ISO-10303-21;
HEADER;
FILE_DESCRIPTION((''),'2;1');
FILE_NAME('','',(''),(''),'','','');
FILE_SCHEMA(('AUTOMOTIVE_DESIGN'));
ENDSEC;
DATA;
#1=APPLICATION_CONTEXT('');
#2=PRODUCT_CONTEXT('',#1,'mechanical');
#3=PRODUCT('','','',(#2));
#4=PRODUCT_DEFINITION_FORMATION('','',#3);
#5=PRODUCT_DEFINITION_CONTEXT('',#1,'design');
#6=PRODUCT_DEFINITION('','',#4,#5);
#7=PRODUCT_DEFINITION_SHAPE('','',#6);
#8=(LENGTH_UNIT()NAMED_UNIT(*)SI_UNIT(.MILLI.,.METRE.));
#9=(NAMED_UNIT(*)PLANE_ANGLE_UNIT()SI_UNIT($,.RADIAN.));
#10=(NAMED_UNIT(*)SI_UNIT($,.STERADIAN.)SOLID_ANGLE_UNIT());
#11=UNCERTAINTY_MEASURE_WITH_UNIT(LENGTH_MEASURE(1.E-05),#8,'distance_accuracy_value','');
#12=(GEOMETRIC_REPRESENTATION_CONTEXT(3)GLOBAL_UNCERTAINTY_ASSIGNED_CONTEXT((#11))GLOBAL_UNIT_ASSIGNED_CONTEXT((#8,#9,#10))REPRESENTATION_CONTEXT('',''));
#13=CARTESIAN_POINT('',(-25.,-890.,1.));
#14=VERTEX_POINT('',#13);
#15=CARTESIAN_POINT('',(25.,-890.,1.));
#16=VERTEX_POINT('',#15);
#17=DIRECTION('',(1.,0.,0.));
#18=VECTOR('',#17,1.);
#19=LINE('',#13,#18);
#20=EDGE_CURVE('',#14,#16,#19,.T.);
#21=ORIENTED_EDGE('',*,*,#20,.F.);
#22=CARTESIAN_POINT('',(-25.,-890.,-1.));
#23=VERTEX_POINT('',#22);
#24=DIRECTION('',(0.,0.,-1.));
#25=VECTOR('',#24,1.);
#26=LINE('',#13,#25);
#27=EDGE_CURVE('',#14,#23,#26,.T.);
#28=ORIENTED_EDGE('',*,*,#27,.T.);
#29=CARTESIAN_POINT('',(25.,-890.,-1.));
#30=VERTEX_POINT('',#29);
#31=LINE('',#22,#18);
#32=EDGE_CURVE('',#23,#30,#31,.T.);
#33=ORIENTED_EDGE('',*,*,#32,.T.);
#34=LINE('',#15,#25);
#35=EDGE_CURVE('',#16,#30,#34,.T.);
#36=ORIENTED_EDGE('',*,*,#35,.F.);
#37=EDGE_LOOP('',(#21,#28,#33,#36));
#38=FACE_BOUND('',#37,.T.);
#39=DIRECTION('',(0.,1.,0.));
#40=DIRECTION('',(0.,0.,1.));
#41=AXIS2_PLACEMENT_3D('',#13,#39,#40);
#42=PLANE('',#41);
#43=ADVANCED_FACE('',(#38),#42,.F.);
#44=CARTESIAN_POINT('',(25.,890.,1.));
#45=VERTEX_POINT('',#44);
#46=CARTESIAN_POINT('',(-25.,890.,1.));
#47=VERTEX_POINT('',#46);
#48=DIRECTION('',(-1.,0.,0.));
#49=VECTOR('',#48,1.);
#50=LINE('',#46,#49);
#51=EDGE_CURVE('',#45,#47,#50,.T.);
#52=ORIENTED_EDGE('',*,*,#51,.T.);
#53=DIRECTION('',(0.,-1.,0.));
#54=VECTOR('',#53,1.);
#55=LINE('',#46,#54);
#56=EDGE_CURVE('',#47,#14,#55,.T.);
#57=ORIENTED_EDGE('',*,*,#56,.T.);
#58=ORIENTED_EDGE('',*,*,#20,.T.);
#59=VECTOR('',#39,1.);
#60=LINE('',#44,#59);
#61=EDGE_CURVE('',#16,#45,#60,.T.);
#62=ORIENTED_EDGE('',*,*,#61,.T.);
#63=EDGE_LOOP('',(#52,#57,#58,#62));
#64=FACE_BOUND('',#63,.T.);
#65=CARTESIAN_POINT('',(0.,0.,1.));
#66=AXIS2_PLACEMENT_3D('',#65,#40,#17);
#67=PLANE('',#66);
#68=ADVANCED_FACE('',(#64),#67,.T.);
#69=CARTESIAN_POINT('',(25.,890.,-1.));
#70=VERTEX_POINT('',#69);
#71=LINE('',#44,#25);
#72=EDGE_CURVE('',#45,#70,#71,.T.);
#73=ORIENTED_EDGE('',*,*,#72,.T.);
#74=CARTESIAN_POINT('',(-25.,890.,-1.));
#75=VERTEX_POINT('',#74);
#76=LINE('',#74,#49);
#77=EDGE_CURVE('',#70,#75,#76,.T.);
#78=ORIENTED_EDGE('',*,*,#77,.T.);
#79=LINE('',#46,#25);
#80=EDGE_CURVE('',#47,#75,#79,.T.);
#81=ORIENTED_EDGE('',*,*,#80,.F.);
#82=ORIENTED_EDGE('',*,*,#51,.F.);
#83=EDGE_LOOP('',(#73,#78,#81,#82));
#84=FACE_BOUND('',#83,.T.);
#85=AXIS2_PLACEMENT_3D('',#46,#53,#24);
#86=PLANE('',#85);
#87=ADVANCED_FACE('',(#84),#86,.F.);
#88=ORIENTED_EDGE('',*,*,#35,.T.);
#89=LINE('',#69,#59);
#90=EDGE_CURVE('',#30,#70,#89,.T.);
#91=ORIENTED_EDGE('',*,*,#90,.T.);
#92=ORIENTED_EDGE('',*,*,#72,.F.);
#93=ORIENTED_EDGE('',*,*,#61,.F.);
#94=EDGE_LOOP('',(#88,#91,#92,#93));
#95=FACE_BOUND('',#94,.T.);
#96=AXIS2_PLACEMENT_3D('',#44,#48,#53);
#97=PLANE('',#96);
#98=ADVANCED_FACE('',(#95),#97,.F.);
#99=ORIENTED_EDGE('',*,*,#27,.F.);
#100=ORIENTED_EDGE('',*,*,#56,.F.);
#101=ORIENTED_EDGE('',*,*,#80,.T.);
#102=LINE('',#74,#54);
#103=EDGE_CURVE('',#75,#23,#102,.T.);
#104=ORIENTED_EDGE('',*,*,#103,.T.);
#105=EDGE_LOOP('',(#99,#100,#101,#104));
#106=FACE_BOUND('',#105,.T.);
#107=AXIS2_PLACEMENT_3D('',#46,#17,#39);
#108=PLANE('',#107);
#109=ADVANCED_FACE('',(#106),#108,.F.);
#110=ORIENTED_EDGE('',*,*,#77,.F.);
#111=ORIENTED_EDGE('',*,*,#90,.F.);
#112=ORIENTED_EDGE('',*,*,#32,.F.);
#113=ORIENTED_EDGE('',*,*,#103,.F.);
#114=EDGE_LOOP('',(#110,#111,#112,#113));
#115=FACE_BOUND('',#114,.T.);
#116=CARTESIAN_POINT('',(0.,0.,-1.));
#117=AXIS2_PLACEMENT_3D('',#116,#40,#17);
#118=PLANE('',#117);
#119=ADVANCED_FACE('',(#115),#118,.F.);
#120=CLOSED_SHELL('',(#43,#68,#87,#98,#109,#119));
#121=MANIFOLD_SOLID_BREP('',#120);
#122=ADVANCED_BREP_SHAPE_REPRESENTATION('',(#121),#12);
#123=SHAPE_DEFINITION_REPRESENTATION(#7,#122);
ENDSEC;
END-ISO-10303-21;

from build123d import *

# Parameters (mm, degrees)
SKETCH_1_W      = 50
SKETCH_1_H      = 1780
EXTRUDE_1_DEPTH = 1


with BuildPart() as part:
    # Эскиз1 → Бобышка-Вытянуть1 (new, symmetric)
    with BuildSketch(Plane.XY):
        Rectangle(SKETCH_1_W, SKETCH_1_H)
    extrude(amount=EXTRUDE_1_DEPTH, both=True)


solid = part.part
